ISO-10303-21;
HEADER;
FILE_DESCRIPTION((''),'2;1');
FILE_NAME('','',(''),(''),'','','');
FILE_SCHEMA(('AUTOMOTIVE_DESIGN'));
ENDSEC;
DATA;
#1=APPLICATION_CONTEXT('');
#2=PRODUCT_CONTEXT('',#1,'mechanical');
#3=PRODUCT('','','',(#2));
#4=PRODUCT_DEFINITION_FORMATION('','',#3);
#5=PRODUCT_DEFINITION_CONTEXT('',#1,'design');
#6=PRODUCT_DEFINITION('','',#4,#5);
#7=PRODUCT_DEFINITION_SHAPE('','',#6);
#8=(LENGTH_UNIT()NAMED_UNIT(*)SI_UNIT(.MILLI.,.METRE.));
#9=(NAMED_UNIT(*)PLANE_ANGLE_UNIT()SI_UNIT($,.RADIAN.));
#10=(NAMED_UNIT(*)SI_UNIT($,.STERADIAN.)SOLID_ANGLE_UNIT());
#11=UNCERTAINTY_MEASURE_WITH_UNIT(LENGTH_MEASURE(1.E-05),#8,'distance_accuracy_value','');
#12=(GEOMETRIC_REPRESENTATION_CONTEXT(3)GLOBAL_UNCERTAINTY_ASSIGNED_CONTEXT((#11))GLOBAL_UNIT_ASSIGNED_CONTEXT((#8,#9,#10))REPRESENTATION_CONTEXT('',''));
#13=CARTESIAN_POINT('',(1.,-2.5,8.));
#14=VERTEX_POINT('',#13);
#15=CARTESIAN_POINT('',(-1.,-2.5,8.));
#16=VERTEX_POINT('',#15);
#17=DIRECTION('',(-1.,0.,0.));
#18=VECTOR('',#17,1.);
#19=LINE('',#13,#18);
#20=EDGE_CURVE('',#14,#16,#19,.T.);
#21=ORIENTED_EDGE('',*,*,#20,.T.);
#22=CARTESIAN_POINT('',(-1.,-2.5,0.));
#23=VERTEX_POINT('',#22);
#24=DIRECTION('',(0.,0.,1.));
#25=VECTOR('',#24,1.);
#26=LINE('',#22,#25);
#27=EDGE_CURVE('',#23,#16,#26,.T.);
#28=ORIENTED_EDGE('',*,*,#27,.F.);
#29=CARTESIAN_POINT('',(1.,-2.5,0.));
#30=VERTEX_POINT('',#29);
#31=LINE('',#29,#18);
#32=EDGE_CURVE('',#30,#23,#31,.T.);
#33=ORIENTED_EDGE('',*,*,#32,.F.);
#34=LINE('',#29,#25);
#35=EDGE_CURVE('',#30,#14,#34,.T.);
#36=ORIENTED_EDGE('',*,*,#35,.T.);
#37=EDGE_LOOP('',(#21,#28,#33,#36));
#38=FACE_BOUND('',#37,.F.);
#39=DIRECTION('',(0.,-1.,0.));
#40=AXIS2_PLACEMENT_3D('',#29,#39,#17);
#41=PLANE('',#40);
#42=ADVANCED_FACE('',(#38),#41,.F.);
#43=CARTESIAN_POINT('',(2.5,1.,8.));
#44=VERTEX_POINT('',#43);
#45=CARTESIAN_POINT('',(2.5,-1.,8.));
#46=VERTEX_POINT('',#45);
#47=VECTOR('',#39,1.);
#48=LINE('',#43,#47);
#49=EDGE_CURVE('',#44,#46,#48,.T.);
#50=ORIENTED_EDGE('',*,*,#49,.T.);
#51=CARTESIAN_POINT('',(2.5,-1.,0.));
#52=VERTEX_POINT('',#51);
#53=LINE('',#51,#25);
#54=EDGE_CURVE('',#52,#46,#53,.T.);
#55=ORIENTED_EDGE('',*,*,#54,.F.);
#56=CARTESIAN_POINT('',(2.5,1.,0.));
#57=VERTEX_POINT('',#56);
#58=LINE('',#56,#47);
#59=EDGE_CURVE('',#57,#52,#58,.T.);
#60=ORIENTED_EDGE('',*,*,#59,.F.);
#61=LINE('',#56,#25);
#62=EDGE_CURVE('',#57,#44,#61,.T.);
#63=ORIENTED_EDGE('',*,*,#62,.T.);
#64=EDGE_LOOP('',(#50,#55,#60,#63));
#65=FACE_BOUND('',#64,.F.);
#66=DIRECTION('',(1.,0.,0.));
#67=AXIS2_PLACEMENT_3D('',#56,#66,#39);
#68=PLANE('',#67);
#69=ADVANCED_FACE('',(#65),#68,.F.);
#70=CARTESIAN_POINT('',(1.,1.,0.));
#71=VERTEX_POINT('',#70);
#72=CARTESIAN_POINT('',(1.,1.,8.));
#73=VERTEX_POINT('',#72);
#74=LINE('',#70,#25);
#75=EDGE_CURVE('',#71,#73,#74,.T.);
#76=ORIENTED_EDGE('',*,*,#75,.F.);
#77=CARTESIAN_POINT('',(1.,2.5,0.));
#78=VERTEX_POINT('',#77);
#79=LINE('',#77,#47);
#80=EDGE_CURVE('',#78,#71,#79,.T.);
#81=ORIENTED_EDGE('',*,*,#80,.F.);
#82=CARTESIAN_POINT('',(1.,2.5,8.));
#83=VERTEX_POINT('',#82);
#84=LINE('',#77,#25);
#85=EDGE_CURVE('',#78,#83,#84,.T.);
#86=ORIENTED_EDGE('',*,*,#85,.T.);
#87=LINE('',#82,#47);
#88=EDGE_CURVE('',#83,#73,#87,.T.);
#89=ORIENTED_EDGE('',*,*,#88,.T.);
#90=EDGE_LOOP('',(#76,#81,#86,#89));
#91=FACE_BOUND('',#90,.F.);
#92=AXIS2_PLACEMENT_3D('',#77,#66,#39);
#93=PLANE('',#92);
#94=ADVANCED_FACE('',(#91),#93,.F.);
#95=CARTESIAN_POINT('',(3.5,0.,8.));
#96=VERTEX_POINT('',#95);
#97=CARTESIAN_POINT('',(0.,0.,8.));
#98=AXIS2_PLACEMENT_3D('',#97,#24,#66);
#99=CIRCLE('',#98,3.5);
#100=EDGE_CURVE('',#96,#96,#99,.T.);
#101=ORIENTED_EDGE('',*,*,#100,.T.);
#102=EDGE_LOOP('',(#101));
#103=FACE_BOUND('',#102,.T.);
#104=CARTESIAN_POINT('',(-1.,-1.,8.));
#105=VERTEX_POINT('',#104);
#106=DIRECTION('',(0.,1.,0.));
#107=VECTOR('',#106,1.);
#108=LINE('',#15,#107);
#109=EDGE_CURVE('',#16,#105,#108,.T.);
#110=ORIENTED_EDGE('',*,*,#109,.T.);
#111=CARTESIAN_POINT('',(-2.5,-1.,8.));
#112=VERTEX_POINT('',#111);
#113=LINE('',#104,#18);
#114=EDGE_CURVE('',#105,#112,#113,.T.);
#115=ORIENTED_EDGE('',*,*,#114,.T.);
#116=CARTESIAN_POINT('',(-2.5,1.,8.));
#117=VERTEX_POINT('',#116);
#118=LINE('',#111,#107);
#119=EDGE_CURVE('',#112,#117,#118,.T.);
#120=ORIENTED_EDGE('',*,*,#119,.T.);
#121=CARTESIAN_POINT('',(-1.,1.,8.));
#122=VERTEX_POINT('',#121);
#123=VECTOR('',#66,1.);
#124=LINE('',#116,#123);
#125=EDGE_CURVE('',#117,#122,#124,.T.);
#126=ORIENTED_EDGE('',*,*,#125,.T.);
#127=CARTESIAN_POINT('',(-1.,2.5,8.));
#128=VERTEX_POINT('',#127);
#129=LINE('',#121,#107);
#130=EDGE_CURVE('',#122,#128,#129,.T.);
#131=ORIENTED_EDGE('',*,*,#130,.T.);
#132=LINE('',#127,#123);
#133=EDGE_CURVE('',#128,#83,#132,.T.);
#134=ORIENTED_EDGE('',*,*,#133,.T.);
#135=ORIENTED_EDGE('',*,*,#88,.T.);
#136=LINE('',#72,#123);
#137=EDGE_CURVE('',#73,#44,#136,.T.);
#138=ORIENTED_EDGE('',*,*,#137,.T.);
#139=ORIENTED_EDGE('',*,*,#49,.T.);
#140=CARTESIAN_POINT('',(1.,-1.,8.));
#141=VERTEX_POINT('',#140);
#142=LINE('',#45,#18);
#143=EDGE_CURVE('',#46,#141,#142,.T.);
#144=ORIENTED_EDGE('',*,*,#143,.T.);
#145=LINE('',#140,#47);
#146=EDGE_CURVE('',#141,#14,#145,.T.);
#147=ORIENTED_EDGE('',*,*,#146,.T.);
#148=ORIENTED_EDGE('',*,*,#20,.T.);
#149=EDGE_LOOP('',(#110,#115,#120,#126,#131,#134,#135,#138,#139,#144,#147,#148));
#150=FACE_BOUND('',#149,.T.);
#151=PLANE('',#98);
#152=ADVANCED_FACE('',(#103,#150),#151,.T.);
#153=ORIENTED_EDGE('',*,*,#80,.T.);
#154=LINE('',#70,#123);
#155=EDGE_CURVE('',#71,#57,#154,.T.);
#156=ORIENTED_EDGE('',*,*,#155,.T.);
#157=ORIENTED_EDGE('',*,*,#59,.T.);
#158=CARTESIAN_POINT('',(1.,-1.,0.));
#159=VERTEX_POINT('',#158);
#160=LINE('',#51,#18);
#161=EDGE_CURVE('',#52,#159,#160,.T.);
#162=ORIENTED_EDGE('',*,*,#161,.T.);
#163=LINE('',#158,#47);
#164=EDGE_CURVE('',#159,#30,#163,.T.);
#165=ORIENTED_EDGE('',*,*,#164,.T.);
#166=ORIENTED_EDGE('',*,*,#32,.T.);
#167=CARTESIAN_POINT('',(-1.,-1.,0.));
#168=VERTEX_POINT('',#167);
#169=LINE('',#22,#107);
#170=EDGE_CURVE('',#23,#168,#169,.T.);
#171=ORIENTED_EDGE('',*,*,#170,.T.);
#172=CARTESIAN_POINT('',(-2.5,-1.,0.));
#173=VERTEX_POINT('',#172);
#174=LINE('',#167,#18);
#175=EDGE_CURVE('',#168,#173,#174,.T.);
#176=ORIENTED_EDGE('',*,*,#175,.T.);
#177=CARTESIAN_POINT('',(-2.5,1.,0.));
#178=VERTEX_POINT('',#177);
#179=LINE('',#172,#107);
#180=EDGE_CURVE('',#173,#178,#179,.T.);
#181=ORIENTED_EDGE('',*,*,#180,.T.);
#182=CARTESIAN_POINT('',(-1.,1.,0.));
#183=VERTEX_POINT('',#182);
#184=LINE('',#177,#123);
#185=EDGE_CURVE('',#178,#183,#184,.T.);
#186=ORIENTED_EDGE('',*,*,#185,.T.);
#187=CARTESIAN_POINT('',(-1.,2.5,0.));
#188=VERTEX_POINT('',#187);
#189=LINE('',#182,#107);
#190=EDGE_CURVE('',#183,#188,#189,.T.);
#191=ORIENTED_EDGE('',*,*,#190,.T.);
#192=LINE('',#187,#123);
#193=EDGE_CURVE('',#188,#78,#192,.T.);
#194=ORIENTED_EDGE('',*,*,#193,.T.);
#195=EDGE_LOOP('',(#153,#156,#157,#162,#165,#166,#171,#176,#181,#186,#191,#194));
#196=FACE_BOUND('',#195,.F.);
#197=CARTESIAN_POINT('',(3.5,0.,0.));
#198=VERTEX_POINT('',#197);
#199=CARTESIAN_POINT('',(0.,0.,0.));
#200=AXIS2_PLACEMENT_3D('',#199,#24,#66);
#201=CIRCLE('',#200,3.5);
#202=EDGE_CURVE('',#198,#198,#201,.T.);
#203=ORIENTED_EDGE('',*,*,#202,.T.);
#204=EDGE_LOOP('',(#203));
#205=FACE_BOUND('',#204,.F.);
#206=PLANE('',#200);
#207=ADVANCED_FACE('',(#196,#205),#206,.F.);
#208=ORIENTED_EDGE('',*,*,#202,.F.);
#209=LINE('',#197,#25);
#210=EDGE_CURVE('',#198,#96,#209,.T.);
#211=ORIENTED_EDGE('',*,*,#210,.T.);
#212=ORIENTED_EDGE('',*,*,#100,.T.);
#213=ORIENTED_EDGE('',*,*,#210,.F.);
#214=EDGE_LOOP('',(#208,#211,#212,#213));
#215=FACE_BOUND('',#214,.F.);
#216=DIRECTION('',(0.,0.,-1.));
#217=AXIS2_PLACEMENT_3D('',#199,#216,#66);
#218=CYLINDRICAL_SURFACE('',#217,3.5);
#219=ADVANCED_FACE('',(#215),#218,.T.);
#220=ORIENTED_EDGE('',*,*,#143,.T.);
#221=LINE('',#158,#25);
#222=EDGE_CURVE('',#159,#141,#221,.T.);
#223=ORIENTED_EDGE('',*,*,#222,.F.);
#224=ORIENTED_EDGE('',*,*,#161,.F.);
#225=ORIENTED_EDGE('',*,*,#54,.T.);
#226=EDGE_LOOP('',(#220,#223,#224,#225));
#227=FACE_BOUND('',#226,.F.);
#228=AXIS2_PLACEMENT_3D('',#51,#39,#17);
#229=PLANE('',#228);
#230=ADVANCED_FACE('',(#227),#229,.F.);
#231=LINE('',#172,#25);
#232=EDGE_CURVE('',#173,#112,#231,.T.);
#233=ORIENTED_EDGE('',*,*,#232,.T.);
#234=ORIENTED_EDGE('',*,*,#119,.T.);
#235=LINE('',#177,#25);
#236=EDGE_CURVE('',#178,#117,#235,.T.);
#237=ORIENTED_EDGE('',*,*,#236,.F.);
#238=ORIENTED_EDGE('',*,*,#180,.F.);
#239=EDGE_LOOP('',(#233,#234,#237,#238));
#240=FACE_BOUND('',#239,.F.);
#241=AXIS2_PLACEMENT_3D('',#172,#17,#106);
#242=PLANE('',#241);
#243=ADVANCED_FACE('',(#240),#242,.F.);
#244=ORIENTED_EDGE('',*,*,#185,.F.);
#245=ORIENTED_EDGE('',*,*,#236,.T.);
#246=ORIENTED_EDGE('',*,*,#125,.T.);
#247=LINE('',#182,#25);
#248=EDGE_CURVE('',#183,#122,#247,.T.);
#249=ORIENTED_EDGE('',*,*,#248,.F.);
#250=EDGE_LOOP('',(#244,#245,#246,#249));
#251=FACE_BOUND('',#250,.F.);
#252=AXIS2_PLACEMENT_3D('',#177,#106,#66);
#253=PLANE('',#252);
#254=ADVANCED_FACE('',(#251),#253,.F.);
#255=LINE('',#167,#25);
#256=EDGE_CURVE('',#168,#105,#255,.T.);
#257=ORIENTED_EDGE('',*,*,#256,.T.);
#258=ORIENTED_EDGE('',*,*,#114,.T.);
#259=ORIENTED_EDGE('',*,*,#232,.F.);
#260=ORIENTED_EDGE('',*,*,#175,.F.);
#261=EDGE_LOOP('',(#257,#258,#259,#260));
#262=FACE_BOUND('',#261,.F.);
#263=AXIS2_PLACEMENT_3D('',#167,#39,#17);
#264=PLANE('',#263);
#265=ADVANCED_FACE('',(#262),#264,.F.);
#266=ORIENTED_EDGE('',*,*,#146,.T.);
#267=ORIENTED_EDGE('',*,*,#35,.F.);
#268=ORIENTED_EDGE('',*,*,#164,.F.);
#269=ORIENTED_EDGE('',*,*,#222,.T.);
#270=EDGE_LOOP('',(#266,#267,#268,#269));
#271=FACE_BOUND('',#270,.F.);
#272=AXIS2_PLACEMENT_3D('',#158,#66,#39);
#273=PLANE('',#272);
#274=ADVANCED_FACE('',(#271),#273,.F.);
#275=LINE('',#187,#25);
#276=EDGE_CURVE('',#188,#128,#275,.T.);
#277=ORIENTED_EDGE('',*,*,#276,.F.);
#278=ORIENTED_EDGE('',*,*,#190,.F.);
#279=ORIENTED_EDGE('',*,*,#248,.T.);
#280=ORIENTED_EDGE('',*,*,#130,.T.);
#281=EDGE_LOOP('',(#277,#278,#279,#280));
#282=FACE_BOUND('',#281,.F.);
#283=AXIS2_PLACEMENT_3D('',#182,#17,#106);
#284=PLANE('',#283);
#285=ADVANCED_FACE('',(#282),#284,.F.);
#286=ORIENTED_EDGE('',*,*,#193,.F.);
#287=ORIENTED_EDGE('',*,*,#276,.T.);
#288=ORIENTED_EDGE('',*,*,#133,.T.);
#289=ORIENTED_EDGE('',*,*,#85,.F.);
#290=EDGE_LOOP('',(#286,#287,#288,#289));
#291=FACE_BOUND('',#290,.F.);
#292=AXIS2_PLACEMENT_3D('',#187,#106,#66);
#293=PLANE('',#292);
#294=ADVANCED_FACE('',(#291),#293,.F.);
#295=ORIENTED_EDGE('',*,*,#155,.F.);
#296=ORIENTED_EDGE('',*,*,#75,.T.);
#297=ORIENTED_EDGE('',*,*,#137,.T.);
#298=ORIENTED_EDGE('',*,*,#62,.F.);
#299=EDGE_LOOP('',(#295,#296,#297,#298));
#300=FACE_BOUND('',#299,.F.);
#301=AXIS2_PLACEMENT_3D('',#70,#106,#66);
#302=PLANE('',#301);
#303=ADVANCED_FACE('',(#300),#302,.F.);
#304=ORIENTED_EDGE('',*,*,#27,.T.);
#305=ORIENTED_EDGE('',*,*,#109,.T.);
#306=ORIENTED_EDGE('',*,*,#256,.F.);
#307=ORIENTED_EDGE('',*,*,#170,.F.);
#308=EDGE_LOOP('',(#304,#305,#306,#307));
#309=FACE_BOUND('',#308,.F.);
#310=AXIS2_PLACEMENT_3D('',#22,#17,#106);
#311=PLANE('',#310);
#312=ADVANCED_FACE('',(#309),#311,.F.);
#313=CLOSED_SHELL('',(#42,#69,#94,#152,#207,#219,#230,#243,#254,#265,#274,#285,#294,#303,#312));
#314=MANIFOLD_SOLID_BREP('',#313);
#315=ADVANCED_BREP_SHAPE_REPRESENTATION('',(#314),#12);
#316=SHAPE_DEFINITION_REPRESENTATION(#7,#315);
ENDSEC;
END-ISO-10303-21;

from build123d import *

# Parameters (mm, degrees)
F0_R     = 3.5
F1_DEPTH = 8


with BuildPart() as f1:
    # F0 (on Top) → F1 (new body)
    with BuildSketch(Plane.XY):
        Circle(F0_R)
        Polygon((1, -2.5), (0, -2.5), (-1, -2.5), (-1, -1), (-2.5, -1), (-2.5, 1), (-1, 1), (-1, 2.5), (1, 2.5), (1, 1), (2.5, 1), (2.5, -1), (1, -1), align=None, mode=Mode.SUBTRACT)
    extrude(amount=F1_DEPTH)


solid = f1.part
